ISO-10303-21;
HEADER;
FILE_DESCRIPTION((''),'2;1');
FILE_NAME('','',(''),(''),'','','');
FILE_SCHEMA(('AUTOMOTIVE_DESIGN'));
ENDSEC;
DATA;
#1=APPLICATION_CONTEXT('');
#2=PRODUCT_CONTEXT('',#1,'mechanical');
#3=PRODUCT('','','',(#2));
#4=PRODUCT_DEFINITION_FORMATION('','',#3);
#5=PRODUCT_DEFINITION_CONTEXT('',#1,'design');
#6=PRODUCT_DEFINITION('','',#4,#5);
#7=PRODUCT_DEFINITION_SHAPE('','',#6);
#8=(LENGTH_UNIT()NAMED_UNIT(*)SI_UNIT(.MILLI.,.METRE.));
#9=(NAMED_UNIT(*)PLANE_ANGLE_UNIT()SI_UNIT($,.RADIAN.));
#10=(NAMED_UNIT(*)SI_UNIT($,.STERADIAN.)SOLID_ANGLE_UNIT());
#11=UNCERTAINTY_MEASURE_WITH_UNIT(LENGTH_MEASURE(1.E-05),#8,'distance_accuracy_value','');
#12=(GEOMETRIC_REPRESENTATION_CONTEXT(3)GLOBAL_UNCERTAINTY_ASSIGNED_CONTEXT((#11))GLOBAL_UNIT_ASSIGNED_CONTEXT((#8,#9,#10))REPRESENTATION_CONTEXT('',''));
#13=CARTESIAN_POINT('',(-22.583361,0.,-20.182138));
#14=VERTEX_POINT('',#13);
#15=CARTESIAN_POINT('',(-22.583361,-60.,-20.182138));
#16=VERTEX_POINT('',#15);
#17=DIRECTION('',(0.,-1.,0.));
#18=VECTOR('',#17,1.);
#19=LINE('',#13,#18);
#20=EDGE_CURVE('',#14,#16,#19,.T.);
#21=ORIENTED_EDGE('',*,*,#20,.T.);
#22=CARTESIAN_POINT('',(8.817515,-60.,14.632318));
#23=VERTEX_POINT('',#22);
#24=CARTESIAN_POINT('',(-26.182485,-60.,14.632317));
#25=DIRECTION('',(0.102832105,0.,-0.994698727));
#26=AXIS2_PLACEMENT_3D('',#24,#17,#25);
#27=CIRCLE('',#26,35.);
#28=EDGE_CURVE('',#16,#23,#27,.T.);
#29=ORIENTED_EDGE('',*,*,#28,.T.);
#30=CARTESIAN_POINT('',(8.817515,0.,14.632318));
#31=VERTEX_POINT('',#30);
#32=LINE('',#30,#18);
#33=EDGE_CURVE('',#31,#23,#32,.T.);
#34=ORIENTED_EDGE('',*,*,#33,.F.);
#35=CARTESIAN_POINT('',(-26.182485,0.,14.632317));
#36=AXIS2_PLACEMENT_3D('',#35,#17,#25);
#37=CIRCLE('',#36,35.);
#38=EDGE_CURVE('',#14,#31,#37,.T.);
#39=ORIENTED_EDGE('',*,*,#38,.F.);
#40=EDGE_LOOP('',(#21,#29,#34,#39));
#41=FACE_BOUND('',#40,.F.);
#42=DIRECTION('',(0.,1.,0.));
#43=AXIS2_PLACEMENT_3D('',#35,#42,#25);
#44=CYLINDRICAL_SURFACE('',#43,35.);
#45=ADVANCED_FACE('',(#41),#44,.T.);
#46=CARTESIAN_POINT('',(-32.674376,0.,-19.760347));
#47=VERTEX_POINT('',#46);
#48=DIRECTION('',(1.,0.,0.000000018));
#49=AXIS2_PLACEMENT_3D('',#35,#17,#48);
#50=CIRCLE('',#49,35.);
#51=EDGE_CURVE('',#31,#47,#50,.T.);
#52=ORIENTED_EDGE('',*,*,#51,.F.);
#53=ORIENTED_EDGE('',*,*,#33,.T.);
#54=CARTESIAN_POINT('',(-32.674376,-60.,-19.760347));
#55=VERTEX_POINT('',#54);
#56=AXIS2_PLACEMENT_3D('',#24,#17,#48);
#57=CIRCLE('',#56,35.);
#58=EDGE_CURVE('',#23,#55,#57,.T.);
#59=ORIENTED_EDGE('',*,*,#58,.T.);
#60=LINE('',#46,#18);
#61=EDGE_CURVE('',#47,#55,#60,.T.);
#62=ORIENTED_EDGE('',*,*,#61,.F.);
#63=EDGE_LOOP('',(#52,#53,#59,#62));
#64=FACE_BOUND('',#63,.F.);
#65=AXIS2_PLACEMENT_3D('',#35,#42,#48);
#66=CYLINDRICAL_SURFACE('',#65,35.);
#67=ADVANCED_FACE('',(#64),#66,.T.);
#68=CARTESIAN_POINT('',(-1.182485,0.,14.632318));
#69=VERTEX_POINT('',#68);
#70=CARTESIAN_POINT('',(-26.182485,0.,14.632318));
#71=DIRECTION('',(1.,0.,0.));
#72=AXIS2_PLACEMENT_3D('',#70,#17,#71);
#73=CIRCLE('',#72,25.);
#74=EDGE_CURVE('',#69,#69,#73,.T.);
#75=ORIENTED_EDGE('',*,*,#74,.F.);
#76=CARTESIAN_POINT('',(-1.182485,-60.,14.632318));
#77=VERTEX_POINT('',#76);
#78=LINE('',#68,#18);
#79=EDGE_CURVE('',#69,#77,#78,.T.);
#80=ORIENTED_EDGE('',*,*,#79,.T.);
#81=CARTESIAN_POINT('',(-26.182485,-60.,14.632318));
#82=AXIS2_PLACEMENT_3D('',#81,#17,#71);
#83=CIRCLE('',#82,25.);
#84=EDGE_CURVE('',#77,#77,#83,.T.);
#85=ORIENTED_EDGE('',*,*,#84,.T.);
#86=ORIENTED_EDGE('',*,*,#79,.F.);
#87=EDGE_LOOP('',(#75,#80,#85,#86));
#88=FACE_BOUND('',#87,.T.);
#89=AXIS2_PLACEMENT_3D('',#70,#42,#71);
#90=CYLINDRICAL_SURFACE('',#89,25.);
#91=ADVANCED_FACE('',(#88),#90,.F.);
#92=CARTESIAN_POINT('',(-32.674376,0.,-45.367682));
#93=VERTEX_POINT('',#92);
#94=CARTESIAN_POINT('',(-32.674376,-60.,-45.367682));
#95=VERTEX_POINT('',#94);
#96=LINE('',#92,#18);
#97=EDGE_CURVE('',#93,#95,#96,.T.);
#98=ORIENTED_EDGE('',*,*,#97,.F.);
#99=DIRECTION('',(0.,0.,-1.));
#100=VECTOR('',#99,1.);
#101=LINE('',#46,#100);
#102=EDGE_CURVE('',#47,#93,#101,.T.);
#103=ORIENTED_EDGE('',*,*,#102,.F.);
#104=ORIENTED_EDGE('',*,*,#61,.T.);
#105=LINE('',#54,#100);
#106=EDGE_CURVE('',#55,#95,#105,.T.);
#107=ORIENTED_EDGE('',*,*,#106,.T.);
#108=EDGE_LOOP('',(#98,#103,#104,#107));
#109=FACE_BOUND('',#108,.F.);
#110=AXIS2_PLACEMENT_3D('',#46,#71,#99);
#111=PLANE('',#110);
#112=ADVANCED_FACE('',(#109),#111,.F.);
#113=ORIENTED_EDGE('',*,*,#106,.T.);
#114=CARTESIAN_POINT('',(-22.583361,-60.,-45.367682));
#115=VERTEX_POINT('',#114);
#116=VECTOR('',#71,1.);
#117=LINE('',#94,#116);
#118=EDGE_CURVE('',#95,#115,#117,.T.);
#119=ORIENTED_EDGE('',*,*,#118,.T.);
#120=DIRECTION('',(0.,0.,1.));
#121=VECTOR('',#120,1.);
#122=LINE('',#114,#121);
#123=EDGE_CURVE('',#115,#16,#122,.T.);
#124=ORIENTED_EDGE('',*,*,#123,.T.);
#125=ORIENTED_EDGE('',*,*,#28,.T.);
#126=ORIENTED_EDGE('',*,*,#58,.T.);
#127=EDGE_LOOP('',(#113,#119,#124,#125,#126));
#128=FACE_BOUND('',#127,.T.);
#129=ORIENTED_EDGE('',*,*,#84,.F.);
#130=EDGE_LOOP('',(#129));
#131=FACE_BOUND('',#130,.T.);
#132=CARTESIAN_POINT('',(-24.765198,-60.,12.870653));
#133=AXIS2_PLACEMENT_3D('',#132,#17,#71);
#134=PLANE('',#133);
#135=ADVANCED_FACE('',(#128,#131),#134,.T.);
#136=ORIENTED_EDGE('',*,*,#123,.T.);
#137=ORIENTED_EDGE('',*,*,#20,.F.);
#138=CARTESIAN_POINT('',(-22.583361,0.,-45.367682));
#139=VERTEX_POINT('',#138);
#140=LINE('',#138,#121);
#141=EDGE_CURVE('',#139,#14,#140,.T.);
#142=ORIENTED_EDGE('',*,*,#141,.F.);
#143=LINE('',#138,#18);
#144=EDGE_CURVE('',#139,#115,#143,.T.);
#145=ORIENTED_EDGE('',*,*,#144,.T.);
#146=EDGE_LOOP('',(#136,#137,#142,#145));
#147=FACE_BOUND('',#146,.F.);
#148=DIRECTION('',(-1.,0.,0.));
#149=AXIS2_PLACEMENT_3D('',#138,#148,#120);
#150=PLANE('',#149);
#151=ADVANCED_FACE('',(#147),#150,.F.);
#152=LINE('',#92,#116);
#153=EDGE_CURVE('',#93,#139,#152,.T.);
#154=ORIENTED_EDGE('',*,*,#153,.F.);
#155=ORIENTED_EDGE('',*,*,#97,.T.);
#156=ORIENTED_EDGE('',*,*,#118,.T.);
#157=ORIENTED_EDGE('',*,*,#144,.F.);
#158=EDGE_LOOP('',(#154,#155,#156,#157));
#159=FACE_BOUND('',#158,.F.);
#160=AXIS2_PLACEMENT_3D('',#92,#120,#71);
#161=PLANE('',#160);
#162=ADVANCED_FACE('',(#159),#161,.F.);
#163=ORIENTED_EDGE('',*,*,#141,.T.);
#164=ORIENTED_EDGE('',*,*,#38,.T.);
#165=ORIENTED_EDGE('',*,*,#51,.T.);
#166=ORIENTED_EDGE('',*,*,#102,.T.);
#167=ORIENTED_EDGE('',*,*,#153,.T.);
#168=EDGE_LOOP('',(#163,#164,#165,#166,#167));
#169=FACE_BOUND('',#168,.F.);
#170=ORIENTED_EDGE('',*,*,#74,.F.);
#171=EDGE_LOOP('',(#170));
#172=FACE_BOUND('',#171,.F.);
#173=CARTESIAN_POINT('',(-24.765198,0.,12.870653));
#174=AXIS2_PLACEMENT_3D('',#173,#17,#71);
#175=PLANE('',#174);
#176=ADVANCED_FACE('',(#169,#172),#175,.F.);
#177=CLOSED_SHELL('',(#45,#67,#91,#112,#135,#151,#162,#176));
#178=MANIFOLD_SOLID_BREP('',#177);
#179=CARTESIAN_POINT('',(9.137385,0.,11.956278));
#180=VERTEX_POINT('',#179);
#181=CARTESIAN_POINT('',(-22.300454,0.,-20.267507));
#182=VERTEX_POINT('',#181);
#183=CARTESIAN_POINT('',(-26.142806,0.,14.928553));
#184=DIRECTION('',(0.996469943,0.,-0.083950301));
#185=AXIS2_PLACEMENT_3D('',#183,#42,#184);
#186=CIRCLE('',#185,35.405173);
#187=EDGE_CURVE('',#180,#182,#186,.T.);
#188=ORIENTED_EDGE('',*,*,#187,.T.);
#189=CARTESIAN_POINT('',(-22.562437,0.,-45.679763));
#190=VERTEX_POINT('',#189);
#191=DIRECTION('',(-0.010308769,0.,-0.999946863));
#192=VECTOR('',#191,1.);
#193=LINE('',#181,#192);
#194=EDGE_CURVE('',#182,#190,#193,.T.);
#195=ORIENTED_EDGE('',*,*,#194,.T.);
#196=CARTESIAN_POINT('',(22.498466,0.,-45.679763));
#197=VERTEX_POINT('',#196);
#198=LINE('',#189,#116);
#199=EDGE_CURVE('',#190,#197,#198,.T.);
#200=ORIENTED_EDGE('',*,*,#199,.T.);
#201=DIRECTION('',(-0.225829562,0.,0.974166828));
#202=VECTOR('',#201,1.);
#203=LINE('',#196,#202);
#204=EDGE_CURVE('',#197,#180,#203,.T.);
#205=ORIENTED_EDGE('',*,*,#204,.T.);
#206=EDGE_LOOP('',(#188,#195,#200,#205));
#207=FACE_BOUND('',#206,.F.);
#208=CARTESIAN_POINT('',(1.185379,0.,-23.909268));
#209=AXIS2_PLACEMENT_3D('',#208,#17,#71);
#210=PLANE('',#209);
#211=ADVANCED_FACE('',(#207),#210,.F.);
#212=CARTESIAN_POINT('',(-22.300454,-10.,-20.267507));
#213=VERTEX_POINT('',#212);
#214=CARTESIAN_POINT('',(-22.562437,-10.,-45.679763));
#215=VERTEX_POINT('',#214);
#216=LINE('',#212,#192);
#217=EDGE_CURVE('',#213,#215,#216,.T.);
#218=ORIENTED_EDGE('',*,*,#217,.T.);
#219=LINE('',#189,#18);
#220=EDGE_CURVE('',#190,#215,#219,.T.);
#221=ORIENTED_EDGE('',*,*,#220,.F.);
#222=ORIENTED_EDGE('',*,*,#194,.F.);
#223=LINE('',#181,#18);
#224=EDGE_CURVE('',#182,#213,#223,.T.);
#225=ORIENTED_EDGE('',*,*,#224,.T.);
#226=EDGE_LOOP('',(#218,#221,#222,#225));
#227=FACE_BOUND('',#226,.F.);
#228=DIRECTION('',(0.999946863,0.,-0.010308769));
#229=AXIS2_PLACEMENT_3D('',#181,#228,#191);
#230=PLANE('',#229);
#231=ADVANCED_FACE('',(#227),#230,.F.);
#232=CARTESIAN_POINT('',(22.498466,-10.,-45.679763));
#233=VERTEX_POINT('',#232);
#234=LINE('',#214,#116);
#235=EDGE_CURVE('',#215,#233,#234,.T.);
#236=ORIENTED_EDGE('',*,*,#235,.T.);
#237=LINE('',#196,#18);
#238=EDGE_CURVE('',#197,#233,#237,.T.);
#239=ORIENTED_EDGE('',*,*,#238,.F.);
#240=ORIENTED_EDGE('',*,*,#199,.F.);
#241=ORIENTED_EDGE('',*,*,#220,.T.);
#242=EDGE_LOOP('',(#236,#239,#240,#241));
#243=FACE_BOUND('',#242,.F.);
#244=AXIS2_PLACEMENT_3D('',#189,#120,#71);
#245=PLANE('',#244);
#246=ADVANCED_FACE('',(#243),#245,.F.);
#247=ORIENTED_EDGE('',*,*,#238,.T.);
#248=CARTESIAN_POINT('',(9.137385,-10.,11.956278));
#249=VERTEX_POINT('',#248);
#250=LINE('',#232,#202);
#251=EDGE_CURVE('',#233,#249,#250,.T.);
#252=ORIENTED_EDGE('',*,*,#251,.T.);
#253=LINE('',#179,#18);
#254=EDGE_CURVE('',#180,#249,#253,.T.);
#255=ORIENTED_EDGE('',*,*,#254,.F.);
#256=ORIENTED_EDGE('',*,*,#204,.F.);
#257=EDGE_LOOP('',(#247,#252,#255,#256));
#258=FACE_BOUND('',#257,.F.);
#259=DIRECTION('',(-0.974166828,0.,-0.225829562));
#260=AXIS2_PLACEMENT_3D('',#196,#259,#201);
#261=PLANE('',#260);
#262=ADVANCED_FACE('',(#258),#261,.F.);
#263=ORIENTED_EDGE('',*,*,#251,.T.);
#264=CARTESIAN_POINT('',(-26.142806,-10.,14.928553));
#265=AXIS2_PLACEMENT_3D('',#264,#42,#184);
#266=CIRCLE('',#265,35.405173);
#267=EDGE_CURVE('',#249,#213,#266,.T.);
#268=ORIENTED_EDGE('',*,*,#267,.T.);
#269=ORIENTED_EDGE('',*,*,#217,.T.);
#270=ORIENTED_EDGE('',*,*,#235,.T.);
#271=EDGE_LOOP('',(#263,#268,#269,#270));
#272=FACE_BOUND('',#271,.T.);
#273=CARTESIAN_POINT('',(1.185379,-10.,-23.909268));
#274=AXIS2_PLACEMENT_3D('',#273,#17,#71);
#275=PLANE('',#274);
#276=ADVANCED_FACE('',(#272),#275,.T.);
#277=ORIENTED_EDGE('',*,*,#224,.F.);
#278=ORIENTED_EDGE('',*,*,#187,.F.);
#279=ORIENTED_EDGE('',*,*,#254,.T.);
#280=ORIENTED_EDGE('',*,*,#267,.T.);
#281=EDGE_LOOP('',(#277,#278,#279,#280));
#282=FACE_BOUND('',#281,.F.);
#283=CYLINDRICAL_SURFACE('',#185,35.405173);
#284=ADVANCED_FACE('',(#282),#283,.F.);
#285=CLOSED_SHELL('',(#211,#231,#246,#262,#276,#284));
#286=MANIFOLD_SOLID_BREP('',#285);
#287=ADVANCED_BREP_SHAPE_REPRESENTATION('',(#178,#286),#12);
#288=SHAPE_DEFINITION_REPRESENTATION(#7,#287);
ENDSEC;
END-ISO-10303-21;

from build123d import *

# Parameters (mm, degrees)
F0_R     = 25
F1_DEPTH = 60
F3_DEPTH = 10


with BuildPart() as f1:
    # F0 (on Front) → F1 (new body)
    with BuildSketch(Plane.XZ):
        with BuildLine():
            ThreePointArc((-22.583361, -20.182138), (-0.192397, -8.809426), (8.817515, 14.632318))
            ThreePointArc((8.817515, 14.632318), (-48.518374, 41.57871), (-32.674376, -19.760347))
            ThreePointArc((-32.674376, -19.760347), (-27.644163, -20.337148), (-22.583361, -20.182138))
        make_face()
        with Locations((-26.182485, 14.632318)):
            Circle(F0_R, mode=Mode.SUBTRACT)
        with BuildLine():
            ThreePointArc((-22.583361, -20.182138), (-27.644163, -20.337148), (-32.674376, -19.760347))
            Line((-32.674376, -19.760347), (-32.674376, -45.367682))
            Line((-32.674376, -45.367682), (-22.583361, -45.367682))
            Line((-22.583361, -45.367682), (-22.583361, -20.182138))
        make_face()
    extrude(amount=F1_DEPTH)


with BuildPart() as f3:
    # F2 (on Front) → F3 (new body)
    with BuildSketch(Plane.XZ):
        with BuildLine():
            Line((-22.300454, -20.267507), (-22.562437, -45.679763))
            Line((-22.562437, -45.679763), (22.498466, -45.679763))
            Line((22.498466, -45.679763), (9.137385, 11.956278))
            ThreePointArc((9.137385, 11.956278), (-0.800422, -9.795724), (-22.300454, -20.267507))
        make_face()
    extrude(amount=F3_DEPTH)


solid = Compound([f1.part, f3.part])
